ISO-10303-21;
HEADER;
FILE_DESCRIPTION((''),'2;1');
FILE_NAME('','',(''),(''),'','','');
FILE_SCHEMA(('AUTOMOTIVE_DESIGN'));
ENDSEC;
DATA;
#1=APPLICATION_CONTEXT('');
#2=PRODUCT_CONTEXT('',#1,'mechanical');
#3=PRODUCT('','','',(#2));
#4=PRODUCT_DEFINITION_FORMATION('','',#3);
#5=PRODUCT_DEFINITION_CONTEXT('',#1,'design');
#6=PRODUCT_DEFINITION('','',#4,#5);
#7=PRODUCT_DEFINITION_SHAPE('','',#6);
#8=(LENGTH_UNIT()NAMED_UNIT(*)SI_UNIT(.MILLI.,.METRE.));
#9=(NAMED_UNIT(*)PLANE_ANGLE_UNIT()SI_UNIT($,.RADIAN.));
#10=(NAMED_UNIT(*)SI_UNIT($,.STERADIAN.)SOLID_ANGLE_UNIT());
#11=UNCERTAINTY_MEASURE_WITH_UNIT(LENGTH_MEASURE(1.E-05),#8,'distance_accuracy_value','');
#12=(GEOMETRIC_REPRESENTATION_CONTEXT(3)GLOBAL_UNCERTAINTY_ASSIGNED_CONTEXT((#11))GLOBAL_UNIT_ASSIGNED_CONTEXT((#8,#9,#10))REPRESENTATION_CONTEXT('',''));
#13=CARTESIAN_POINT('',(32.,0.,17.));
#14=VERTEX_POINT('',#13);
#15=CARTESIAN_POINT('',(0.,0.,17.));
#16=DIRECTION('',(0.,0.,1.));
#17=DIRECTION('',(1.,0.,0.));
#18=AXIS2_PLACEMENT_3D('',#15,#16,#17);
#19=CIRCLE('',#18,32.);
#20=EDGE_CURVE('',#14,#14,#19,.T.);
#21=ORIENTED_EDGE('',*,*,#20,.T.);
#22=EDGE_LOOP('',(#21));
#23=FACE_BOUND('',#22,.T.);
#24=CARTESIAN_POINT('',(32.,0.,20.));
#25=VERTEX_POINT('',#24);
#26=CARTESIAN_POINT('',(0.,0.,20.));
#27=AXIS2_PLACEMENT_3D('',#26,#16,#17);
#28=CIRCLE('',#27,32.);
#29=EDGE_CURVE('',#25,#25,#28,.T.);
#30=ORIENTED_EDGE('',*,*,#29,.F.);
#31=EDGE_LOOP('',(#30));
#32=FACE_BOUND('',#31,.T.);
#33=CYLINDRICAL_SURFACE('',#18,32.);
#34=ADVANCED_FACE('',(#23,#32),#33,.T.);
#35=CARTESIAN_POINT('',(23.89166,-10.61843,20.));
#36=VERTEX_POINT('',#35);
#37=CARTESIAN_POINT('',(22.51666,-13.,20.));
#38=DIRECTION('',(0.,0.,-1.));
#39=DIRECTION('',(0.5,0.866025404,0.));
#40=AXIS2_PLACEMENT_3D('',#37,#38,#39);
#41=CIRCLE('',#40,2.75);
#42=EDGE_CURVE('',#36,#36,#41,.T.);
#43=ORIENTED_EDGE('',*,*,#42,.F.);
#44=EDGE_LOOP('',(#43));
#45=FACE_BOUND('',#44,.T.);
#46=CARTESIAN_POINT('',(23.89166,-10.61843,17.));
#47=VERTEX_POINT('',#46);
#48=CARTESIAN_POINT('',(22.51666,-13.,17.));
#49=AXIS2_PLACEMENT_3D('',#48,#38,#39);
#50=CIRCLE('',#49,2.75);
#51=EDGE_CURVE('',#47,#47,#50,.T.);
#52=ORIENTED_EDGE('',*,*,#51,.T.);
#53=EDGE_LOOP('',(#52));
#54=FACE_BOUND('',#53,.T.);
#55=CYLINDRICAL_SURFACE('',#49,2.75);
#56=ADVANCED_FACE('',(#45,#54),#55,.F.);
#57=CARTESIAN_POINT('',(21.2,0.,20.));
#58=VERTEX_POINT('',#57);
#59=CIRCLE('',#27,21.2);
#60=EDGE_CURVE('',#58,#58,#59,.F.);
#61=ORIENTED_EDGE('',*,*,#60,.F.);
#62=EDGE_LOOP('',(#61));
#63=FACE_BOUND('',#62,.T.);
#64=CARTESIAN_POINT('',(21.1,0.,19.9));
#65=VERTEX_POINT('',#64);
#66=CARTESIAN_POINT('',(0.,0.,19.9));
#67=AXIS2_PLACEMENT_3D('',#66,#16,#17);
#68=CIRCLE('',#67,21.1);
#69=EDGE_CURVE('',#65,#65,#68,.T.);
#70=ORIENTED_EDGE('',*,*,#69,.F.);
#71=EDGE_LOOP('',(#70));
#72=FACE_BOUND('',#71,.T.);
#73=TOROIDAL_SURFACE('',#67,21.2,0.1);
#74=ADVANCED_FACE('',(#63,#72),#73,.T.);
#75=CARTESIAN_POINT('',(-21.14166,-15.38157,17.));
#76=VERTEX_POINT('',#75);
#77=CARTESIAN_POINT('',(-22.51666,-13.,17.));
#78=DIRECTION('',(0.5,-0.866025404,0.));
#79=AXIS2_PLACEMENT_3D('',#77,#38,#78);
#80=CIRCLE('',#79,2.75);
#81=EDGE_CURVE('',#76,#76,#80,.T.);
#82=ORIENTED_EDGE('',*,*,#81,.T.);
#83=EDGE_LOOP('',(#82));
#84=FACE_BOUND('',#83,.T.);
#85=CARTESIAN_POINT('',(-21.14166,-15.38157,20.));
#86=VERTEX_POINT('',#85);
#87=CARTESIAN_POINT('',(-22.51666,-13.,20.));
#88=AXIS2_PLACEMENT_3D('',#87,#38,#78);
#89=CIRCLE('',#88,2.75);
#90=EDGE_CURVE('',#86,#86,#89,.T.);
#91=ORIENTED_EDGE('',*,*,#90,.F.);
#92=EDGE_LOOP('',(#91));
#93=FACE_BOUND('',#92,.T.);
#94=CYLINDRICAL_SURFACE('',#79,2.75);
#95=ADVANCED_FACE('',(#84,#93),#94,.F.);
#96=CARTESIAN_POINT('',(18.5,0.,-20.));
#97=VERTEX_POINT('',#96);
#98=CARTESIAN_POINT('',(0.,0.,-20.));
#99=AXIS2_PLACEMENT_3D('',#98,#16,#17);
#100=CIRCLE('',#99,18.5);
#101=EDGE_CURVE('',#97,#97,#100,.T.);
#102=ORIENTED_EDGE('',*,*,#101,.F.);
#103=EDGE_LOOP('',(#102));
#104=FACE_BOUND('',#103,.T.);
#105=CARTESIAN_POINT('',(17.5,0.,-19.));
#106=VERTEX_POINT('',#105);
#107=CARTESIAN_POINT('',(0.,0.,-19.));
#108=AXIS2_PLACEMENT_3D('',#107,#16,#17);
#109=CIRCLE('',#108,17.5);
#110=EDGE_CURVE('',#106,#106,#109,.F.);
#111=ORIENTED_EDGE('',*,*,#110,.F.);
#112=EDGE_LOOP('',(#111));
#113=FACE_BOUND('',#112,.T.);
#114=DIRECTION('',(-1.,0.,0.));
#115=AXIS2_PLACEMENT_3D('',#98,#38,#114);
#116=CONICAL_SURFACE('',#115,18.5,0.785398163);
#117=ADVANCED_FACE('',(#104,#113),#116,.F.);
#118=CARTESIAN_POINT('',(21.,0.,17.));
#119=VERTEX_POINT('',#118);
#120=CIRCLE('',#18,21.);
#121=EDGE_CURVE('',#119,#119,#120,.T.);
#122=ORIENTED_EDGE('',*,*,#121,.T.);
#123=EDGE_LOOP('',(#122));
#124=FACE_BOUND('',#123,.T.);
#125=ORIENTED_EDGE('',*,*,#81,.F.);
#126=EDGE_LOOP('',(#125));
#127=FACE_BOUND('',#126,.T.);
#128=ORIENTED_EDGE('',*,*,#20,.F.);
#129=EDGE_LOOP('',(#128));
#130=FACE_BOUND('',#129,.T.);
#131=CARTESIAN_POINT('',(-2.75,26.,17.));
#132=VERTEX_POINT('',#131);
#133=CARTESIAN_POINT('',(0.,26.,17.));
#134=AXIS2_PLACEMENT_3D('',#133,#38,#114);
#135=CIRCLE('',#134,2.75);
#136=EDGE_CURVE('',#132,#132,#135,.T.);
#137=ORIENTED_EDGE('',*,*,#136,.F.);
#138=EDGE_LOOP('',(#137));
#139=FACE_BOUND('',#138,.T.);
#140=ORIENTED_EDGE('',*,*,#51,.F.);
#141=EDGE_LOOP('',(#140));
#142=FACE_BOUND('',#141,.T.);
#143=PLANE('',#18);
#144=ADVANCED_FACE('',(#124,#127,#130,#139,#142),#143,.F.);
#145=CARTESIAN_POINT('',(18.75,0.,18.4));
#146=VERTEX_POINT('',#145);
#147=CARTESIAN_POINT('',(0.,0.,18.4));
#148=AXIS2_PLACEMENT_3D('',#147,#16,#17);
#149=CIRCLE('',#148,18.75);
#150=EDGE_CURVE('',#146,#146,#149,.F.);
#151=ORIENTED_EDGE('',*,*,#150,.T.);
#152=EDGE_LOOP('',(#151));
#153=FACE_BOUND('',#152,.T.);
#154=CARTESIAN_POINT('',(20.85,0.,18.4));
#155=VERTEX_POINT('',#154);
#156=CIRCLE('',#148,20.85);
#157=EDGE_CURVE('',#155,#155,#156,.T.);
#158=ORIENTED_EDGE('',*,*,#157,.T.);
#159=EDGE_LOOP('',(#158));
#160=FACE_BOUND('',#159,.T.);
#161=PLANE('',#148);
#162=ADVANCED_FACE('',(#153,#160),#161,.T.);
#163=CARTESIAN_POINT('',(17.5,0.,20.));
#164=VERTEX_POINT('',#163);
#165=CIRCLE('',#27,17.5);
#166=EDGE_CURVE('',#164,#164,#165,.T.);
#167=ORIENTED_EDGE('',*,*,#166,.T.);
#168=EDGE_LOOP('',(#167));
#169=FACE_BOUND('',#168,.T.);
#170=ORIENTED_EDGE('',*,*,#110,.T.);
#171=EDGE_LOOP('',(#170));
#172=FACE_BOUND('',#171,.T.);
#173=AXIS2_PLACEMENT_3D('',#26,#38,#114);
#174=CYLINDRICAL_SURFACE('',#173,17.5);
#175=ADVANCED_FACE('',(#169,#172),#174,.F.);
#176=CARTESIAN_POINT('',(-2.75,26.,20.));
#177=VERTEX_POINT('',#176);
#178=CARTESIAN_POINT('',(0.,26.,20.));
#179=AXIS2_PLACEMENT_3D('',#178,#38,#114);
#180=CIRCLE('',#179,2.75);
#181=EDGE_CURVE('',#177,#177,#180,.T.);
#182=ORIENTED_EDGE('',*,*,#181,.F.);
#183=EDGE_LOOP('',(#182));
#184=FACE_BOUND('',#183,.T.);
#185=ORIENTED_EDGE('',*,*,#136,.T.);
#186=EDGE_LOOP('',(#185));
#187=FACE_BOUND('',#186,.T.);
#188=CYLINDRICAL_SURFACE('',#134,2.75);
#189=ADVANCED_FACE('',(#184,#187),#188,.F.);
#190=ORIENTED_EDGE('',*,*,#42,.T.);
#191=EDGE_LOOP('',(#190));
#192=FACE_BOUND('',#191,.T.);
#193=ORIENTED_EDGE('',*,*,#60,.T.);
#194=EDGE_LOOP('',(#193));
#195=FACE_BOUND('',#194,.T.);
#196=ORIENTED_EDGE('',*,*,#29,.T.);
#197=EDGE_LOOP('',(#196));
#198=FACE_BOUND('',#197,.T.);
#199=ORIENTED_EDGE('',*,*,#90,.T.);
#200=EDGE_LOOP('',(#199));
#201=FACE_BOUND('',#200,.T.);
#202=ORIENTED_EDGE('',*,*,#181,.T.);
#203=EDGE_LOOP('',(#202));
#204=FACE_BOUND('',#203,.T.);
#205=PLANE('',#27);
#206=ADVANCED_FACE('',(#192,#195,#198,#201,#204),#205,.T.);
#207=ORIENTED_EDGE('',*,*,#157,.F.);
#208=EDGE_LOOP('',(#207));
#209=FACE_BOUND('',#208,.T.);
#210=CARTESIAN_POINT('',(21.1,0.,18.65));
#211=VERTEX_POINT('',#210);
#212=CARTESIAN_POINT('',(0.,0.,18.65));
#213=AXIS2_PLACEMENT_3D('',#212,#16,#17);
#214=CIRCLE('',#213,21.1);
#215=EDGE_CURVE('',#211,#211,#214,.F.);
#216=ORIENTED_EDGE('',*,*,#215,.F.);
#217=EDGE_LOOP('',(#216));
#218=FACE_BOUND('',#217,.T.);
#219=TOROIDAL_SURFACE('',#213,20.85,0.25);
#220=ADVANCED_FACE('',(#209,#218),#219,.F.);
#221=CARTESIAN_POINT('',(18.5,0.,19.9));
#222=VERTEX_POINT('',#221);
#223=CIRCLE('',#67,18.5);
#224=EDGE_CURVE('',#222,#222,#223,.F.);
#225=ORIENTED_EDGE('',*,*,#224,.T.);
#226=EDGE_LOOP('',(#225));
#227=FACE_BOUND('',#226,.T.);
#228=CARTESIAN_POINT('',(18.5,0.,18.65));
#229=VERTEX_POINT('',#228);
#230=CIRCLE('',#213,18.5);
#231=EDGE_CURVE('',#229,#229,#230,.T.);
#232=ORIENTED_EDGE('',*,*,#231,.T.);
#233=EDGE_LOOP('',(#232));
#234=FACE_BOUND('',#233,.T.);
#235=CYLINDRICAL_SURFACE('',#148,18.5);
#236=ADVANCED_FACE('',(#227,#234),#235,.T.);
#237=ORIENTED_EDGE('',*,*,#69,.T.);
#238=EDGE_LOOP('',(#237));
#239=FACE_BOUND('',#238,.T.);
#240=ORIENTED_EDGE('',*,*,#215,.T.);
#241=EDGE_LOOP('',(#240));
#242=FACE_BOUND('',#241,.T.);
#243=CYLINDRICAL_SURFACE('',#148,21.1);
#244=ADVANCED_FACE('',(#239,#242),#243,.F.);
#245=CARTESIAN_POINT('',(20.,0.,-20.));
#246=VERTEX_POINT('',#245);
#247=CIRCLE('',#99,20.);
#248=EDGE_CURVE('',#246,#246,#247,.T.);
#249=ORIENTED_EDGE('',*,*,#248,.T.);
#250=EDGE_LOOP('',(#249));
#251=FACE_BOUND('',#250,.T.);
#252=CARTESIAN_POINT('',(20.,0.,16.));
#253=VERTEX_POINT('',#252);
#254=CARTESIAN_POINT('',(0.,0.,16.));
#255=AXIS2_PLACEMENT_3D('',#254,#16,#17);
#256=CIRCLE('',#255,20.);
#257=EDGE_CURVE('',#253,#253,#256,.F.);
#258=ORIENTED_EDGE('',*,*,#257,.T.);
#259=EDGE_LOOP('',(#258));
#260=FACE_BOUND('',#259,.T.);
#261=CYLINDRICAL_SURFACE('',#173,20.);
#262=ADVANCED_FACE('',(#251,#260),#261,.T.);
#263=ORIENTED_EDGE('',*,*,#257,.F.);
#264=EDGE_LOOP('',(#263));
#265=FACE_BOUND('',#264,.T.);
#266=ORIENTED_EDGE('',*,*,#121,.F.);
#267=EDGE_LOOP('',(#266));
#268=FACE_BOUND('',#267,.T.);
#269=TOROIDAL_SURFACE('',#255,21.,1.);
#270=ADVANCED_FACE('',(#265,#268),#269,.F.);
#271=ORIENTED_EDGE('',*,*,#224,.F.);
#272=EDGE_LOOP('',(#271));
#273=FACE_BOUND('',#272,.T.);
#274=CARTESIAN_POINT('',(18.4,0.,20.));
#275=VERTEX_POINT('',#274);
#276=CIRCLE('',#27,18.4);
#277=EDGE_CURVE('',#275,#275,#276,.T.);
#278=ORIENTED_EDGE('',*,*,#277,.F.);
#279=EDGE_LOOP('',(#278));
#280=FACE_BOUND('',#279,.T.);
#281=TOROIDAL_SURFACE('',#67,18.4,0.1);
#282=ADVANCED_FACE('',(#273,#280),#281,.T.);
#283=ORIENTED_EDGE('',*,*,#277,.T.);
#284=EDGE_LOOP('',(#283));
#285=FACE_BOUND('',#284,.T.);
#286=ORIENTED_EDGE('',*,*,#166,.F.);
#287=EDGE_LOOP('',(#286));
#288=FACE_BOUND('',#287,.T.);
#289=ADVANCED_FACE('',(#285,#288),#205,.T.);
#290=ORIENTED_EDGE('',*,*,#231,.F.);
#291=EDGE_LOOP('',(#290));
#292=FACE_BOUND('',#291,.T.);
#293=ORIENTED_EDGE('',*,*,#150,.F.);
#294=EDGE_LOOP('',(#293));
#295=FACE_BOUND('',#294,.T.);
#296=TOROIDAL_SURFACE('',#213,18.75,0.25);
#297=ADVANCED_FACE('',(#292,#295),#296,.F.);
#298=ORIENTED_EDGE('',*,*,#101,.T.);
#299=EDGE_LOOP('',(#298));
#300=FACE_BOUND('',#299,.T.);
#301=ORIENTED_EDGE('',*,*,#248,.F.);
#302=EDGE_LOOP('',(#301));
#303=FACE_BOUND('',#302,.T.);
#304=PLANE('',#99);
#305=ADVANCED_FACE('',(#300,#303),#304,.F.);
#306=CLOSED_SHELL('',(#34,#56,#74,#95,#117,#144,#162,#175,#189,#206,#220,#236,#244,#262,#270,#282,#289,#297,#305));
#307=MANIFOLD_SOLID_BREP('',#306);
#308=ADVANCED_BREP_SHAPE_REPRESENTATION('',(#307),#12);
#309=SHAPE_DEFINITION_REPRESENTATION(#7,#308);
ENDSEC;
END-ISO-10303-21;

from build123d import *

# Parameters (mm, degrees)
SKETCH1_R           = 20
SKETCH1_R_2         = 17.5
BOSS_EXTRUDE1_DEPTH = 20
SKETCH2_R           = 32
SKETCH2_R_2         = 20
BOSS_EXTRUDE2_DEPTH = 3
SKETCH4_W           = 2.75
SKETCH4_H           = 3
CIRPATTERN1_COUNT   = 3
CHAMFER1_SIZE       = 1
SKETCH5_R           = 21.1
SKETCH5_R_2         = 18.5
CUT_EXTRUDE1_DEPTH  = 1.6
FILLET1_R           = 0.25
FILLET2_R           = 0.1
FILLET3_R           = 1


with BuildPart() as part:
    # Sketch1 → Boss-Extrude1 (new body, symmetric)
    with BuildSketch(Plane.XY):
        Circle(SKETCH1_R)
        Circle(SKETCH1_R_2, mode=Mode.SUBTRACT)
    extrude(amount=BOSS_EXTRUDE1_DEPTH, both=True)

    # Chamfer1
    chamfer1_edges = [part.edges().sort_by_distance(p)[0] for p in [
        (-17.5, 0, -20),
    ]]
    chamfer(chamfer1_edges, length=CHAMFER1_SIZE)


with BuildPart() as body_2:
    # Sketch2 → Boss-Extrude2 (new body)
    with BuildSketch(Plane.XY.offset(20)):
        Circle(SKETCH2_R)
        Circle(SKETCH2_R_2, mode=Mode.SUBTRACT)
    extrude(amount=-BOSS_EXTRUDE2_DEPTH)

    # Sketch4 → M5 Clearance Hole1 (revolve, cut)
    with BuildSketch(Plane(origin=(0, 26, 17), x_dir=(0, 1, 0), z_dir=(1, 0, 0))):
        with Locations((1.375, 1.5)):
            Rectangle(SKETCH4_W, SKETCH4_H)
    m5_clearance_hole1 = revolve(axis=Axis((0, 26, 10.65), (0, 0, 1)), mode=Mode.SUBTRACT)

    # CirPattern1: M5 Clearance Hole1 ×3 about axis
    cirpattern1_axis = Axis((0, 0, 0), (0, 0, 1))
    for i in range(1, CIRPATTERN1_COUNT):
        add(m5_clearance_hole1.rotate(cirpattern1_axis, i * 360 / CIRPATTERN1_COUNT), mode=Mode.SUBTRACT)


with BuildPart() as part_1:
    add(part.part)

    # Combine1: union body 2
    add(body_2.part)

    # Sketch5 → Cut-Extrude1 (cut)
    with BuildSketch(Plane.XY.offset(20)):
        Circle(SKETCH5_R)
        Circle(SKETCH5_R_2, mode=Mode.SUBTRACT)
    extrude(amount=-CUT_EXTRUDE1_DEPTH, mode=Mode.SUBTRACT)

    # Fillet1
    fillet1_edges = [part_1.edges().sort_by_distance(p)[0] for p in [
        (-21.1, 0, 18.4),
        (-18.5, 0, 18.4),
    ]]
    fillet(fillet1_edges, radius=FILLET1_R)

    # Fillet2
    fillet2_edges = [part_1.edges().sort_by_distance(p)[0] for p in [
        (-21.1, 0, 20),
        (-18.5, 0, 20),
    ]]
    fillet(fillet2_edges, radius=FILLET2_R)

    # Fillet3
    fillet3_edges = [part_1.edges().sort_by_distance(p)[0] for p in [
        (-20, 0, 17),
    ]]
    fillet(fillet3_edges, radius=FILLET3_R)


solid = part_1.part
